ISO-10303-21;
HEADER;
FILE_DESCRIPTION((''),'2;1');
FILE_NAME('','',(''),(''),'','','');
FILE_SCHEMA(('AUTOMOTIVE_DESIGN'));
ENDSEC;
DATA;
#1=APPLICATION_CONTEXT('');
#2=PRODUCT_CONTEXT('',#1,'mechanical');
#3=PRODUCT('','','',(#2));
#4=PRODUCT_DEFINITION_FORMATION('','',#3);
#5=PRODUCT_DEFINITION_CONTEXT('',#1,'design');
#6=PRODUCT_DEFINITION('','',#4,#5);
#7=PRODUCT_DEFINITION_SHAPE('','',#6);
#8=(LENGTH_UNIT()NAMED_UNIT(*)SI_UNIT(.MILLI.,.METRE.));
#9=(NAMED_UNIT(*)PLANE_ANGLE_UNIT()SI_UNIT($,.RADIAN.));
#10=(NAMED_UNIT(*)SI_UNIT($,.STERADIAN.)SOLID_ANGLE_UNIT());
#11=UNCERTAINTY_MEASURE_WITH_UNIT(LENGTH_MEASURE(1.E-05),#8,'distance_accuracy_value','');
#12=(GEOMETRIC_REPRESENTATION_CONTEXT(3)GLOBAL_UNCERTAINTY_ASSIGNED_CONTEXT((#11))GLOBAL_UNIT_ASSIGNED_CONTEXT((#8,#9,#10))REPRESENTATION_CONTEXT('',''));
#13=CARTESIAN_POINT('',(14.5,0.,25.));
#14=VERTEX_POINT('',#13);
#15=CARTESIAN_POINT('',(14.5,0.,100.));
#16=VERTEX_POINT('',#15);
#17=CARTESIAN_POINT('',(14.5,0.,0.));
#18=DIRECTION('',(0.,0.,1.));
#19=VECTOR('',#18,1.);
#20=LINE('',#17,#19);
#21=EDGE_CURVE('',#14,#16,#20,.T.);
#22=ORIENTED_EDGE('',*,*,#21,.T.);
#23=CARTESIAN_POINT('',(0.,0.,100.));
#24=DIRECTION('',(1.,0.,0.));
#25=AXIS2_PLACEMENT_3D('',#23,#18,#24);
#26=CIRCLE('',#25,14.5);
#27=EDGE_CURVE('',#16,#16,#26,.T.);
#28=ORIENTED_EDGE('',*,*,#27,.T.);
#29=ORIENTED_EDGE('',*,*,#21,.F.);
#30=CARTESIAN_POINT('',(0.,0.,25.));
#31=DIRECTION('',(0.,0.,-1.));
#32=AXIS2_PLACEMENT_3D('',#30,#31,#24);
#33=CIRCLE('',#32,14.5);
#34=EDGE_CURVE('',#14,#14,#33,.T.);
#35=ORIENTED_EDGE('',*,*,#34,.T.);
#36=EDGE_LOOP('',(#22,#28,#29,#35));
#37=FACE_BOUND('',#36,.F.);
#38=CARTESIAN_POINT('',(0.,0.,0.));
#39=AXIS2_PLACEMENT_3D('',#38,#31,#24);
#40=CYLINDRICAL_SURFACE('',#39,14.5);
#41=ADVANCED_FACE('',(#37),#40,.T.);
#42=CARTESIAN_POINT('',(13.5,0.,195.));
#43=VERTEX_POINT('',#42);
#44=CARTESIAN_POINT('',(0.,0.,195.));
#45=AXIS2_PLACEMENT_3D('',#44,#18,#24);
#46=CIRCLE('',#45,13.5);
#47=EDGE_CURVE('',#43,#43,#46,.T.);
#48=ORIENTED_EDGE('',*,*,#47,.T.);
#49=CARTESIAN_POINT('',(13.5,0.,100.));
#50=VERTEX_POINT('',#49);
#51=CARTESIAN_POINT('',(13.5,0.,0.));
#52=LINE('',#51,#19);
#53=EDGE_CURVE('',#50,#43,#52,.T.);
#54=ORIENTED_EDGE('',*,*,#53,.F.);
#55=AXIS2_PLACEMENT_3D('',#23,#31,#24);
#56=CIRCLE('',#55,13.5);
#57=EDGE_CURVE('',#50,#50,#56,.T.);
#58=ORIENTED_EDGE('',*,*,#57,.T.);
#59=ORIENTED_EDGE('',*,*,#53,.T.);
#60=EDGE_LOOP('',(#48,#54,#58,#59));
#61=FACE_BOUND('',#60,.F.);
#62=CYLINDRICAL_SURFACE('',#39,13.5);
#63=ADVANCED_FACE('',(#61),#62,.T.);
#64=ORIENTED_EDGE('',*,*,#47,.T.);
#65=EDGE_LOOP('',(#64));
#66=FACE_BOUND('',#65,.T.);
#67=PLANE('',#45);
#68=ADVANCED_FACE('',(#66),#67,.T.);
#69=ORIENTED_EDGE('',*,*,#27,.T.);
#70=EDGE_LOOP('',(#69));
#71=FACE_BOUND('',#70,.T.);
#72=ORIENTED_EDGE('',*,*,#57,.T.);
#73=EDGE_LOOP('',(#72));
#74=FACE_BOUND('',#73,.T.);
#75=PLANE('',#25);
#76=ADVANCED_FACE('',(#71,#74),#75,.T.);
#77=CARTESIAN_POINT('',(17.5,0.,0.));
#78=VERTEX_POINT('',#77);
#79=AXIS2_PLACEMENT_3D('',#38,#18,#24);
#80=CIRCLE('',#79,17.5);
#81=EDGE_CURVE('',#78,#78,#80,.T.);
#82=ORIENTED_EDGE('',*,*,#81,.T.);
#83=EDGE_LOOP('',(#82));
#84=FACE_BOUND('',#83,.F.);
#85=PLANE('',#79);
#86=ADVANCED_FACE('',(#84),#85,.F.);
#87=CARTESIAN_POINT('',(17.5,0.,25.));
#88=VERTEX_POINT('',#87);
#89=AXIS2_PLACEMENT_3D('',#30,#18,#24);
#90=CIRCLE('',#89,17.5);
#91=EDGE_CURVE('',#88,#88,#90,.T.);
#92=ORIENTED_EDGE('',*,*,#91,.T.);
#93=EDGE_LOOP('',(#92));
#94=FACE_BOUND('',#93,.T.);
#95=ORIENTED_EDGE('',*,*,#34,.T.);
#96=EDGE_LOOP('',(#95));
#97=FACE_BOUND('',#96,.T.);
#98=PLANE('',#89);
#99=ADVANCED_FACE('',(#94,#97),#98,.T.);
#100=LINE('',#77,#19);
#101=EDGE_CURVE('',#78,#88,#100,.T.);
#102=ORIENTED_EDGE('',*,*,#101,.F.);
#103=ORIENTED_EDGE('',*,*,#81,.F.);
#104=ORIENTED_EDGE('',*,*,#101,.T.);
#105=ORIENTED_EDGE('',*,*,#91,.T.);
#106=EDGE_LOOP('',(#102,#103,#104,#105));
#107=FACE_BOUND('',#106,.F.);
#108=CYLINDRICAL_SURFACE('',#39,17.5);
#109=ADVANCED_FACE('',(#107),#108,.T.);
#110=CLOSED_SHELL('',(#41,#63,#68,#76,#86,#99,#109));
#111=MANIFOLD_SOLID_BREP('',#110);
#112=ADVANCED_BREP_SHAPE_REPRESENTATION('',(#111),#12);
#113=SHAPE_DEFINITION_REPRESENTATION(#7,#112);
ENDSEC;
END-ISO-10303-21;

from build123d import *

# Parameters (mm, degrees)
F0_R     = 13.5
F1_DEPTH = 195
F2_R     = 17.5
F3_DEPTH = 25
F4_R     = 14.5
F5_DEPTH = 100


with BuildPart() as f1:
    # F0 (on Top) → F1 (new body)
    with BuildSketch(Plane.XY):
        Circle(F0_R)
    extrude(amount=F1_DEPTH)

    # F2 (on Top) → F3 (join)
    with BuildSketch(Plane.XY):
        Circle(F2_R)
    extrude(amount=F3_DEPTH)

    # F4 (on Top) → F5 (join)
    with BuildSketch(Plane.XY):
        Circle(F4_R)
    extrude(amount=F5_DEPTH)


solid = f1.part
